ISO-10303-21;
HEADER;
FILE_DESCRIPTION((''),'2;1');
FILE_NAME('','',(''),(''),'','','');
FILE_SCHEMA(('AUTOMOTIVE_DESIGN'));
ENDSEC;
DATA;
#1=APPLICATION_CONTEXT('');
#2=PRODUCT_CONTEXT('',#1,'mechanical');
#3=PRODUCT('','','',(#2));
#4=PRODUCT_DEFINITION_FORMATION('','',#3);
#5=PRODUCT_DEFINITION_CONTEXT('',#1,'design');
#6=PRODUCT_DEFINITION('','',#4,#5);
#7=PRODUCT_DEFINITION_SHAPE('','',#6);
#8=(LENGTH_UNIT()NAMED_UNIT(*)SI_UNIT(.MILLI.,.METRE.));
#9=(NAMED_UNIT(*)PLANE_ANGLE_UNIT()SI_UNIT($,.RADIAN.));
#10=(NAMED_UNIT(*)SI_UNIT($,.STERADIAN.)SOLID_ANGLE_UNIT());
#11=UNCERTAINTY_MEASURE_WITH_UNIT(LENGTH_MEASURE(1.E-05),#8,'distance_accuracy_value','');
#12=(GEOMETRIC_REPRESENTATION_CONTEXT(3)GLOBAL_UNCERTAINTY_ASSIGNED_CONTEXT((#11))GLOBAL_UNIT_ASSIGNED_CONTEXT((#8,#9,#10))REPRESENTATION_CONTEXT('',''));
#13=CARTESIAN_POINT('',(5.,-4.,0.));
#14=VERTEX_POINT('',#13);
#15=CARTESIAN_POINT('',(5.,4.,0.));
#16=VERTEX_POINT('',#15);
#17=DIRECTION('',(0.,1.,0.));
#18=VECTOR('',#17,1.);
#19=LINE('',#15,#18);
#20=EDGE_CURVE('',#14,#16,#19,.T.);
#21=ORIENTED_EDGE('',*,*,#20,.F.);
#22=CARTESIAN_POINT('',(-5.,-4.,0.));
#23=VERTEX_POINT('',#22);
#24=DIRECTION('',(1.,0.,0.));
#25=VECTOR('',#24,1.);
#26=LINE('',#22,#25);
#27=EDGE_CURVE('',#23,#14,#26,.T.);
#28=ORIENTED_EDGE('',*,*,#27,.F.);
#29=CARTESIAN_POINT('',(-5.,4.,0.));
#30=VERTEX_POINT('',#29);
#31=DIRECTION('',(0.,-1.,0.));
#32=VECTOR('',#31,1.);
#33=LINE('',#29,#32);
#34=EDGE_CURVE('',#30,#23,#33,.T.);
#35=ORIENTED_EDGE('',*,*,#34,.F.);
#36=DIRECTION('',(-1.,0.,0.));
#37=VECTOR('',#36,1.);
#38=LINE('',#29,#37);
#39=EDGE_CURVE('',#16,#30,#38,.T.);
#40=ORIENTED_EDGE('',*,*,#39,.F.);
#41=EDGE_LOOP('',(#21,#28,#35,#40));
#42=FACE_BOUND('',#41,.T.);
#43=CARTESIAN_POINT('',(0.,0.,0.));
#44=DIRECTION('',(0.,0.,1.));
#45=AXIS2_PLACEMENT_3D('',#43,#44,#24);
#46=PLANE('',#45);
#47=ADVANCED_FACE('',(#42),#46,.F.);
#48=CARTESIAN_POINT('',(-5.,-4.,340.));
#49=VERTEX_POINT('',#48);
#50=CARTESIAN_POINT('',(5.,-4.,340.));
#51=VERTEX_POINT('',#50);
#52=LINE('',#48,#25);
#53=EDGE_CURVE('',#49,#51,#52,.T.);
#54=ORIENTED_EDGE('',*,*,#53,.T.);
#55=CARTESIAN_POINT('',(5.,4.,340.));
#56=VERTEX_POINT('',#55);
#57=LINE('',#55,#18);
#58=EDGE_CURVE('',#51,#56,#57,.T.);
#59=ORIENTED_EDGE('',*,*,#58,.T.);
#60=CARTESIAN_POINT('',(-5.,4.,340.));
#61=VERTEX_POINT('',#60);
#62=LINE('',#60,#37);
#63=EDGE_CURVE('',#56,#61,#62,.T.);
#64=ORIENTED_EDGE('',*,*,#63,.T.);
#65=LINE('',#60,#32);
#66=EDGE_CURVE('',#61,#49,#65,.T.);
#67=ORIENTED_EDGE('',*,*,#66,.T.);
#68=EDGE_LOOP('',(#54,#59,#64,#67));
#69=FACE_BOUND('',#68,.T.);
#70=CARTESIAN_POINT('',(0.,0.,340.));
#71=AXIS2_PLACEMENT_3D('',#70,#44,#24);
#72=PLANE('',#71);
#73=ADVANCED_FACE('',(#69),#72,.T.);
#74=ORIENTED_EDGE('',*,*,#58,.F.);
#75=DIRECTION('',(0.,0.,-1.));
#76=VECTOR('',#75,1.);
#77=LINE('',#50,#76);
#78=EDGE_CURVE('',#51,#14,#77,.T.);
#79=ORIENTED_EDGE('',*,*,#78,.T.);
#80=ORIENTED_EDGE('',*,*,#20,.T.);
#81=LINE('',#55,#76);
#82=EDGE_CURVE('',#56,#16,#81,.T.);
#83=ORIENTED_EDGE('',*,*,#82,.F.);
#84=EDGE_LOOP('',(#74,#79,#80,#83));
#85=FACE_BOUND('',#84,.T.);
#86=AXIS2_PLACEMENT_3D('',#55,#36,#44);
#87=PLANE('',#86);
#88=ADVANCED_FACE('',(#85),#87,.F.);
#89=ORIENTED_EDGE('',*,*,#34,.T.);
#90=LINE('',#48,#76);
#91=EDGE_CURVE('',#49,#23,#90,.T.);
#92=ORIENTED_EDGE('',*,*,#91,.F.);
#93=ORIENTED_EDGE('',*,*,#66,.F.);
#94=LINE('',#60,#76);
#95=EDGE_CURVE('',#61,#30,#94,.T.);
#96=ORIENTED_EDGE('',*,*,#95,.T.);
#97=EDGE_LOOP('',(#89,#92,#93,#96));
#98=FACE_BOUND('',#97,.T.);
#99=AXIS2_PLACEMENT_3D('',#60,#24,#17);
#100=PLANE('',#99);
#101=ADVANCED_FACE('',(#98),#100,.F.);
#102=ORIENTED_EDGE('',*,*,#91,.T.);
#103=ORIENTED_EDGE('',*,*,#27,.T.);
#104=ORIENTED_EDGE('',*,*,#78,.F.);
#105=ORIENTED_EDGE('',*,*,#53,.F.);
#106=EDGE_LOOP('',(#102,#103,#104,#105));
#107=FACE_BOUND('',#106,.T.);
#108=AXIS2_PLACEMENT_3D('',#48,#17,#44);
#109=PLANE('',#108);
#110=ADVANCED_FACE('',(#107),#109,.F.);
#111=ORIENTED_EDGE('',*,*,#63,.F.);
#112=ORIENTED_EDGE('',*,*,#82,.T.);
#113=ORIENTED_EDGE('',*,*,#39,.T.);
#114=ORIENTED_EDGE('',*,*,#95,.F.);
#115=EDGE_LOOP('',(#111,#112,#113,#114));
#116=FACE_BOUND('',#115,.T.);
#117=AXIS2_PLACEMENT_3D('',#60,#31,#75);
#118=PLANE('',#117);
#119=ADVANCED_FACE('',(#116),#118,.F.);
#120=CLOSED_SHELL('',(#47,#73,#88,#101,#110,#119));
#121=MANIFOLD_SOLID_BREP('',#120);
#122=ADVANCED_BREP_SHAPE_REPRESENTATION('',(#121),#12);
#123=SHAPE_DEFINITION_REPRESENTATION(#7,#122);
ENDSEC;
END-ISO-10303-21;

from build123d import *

# Parameters (mm, degrees)
SKETCH_1_W      = 10
SKETCH_1_H      = 8
EXTRUDE_1_DEPTH = 340


with BuildPart() as part:
    # 草圖1 → 填料-伸長1 (new body)
    with BuildSketch(Plane.XY):
        Rectangle(SKETCH_1_W, SKETCH_1_H)
    extrude(amount=EXTRUDE_1_DEPTH)


solid = part.part
